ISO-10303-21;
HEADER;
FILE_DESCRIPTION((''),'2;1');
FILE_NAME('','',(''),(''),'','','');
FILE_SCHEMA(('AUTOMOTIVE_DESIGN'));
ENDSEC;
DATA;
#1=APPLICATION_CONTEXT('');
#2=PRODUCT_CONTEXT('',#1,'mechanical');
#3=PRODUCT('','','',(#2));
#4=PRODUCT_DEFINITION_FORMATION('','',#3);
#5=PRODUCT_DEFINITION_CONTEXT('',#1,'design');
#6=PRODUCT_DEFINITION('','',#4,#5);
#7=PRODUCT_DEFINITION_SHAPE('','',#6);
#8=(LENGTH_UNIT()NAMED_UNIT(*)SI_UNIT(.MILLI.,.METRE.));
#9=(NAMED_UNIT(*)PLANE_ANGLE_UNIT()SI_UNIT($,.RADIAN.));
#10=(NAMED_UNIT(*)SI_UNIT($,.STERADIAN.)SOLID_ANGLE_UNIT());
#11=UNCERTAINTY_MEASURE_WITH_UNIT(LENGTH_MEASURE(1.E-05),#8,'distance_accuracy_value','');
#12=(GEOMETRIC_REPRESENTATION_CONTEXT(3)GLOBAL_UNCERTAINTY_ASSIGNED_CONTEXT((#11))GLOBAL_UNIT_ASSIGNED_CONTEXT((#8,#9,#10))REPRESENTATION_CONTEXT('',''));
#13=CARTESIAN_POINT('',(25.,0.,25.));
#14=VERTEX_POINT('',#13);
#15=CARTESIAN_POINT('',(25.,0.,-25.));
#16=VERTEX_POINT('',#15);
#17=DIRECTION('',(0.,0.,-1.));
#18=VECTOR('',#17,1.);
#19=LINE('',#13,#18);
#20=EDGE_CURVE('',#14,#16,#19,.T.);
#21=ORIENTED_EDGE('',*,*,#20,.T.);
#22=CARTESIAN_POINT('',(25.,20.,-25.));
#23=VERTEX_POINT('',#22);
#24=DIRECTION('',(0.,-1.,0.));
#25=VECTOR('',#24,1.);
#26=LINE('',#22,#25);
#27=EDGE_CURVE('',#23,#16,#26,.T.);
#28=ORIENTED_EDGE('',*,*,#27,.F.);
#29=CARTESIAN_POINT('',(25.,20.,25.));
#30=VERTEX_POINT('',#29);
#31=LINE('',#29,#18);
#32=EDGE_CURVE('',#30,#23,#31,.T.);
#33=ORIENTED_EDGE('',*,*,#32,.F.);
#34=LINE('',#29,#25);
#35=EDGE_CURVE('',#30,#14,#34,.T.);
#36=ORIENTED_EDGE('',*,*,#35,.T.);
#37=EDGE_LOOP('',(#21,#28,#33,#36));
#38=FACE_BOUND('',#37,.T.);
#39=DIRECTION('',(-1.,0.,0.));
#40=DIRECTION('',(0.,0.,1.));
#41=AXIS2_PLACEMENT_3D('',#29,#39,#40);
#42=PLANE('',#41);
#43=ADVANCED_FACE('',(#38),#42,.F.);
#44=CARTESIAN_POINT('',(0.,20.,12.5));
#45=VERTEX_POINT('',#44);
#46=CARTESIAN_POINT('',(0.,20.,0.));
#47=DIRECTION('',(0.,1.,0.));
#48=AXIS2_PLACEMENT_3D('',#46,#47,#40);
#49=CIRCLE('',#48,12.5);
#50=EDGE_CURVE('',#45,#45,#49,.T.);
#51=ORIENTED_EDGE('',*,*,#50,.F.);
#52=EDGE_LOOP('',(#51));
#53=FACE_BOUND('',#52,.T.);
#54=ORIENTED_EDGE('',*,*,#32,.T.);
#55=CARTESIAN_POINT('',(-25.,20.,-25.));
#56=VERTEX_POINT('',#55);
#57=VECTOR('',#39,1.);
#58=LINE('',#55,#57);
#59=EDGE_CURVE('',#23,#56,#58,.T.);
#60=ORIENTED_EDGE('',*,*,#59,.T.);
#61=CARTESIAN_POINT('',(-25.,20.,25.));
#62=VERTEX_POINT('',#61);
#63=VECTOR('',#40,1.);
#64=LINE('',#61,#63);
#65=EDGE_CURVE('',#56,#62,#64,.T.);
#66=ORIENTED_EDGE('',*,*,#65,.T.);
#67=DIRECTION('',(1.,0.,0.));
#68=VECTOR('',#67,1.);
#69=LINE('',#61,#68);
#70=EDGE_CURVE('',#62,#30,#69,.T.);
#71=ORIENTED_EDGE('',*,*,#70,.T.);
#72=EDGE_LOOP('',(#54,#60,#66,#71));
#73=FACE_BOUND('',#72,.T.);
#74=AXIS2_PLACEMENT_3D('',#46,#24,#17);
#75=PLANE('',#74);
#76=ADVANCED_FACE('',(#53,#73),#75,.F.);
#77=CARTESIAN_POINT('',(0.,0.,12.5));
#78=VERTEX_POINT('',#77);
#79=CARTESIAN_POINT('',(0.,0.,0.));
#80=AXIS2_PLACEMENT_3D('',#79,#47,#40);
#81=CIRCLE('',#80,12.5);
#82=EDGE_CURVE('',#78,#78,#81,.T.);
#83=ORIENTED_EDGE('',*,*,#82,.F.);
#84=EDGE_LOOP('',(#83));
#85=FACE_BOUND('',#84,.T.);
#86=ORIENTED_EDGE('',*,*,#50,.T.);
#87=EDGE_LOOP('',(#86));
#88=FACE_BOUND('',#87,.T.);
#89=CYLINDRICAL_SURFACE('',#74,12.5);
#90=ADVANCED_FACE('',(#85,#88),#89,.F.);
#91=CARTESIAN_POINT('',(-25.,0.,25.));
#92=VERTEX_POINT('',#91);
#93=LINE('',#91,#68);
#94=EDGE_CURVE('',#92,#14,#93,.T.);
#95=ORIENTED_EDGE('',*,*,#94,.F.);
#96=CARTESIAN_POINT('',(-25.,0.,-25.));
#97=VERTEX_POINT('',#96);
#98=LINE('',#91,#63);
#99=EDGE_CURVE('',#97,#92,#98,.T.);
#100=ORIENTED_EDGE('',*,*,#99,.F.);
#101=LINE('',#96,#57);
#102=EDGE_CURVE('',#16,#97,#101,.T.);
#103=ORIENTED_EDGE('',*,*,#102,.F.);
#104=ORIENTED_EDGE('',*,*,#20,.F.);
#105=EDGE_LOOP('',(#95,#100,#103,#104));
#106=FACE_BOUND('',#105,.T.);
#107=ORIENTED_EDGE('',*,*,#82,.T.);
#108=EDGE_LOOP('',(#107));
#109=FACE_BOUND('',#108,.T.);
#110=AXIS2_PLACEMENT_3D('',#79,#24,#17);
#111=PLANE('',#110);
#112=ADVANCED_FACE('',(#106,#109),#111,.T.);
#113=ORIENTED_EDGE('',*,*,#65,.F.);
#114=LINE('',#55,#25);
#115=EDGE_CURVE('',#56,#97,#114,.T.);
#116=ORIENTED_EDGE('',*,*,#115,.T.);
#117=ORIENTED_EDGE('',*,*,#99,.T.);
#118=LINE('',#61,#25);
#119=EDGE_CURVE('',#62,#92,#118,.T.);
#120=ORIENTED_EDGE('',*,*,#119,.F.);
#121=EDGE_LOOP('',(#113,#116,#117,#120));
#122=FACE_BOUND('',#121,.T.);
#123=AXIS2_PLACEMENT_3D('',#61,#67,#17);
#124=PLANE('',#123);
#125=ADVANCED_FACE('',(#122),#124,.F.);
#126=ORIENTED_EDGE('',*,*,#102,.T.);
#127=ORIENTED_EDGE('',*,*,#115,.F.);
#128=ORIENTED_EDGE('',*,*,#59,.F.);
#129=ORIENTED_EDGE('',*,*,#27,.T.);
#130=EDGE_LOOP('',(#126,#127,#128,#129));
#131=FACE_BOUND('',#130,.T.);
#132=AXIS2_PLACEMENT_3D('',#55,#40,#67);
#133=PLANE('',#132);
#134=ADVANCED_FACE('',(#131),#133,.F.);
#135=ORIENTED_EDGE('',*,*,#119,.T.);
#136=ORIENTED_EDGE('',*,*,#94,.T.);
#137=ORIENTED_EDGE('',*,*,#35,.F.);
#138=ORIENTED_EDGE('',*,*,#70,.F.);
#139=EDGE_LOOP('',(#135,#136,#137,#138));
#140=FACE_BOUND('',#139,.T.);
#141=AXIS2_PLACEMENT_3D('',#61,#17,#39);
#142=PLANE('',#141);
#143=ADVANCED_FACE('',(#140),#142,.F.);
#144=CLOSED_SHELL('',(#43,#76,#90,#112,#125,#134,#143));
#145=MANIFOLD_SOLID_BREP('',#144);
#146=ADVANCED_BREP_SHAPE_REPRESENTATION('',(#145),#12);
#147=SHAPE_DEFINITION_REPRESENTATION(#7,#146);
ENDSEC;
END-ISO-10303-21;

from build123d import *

# Parameters (mm, degrees)
SKETCH1_W           = 50
SKETCH1_H           = 50
SKETCH1_R           = 12.5
BOSS_EXTRUDE1_DEPTH = 20


with BuildPart() as part:
    # Sketch1 → Boss-Extrude1 (new body)
    with BuildSketch(Plane(origin=(0, 0, 0), x_dir=(1, 0, 0), z_dir=(0, 1, 0))):
        Rectangle(SKETCH1_W, SKETCH1_H)
        Circle(SKETCH1_R, mode=Mode.SUBTRACT)
    extrude(amount=BOSS_EXTRUDE1_DEPTH)


solid = part.part
